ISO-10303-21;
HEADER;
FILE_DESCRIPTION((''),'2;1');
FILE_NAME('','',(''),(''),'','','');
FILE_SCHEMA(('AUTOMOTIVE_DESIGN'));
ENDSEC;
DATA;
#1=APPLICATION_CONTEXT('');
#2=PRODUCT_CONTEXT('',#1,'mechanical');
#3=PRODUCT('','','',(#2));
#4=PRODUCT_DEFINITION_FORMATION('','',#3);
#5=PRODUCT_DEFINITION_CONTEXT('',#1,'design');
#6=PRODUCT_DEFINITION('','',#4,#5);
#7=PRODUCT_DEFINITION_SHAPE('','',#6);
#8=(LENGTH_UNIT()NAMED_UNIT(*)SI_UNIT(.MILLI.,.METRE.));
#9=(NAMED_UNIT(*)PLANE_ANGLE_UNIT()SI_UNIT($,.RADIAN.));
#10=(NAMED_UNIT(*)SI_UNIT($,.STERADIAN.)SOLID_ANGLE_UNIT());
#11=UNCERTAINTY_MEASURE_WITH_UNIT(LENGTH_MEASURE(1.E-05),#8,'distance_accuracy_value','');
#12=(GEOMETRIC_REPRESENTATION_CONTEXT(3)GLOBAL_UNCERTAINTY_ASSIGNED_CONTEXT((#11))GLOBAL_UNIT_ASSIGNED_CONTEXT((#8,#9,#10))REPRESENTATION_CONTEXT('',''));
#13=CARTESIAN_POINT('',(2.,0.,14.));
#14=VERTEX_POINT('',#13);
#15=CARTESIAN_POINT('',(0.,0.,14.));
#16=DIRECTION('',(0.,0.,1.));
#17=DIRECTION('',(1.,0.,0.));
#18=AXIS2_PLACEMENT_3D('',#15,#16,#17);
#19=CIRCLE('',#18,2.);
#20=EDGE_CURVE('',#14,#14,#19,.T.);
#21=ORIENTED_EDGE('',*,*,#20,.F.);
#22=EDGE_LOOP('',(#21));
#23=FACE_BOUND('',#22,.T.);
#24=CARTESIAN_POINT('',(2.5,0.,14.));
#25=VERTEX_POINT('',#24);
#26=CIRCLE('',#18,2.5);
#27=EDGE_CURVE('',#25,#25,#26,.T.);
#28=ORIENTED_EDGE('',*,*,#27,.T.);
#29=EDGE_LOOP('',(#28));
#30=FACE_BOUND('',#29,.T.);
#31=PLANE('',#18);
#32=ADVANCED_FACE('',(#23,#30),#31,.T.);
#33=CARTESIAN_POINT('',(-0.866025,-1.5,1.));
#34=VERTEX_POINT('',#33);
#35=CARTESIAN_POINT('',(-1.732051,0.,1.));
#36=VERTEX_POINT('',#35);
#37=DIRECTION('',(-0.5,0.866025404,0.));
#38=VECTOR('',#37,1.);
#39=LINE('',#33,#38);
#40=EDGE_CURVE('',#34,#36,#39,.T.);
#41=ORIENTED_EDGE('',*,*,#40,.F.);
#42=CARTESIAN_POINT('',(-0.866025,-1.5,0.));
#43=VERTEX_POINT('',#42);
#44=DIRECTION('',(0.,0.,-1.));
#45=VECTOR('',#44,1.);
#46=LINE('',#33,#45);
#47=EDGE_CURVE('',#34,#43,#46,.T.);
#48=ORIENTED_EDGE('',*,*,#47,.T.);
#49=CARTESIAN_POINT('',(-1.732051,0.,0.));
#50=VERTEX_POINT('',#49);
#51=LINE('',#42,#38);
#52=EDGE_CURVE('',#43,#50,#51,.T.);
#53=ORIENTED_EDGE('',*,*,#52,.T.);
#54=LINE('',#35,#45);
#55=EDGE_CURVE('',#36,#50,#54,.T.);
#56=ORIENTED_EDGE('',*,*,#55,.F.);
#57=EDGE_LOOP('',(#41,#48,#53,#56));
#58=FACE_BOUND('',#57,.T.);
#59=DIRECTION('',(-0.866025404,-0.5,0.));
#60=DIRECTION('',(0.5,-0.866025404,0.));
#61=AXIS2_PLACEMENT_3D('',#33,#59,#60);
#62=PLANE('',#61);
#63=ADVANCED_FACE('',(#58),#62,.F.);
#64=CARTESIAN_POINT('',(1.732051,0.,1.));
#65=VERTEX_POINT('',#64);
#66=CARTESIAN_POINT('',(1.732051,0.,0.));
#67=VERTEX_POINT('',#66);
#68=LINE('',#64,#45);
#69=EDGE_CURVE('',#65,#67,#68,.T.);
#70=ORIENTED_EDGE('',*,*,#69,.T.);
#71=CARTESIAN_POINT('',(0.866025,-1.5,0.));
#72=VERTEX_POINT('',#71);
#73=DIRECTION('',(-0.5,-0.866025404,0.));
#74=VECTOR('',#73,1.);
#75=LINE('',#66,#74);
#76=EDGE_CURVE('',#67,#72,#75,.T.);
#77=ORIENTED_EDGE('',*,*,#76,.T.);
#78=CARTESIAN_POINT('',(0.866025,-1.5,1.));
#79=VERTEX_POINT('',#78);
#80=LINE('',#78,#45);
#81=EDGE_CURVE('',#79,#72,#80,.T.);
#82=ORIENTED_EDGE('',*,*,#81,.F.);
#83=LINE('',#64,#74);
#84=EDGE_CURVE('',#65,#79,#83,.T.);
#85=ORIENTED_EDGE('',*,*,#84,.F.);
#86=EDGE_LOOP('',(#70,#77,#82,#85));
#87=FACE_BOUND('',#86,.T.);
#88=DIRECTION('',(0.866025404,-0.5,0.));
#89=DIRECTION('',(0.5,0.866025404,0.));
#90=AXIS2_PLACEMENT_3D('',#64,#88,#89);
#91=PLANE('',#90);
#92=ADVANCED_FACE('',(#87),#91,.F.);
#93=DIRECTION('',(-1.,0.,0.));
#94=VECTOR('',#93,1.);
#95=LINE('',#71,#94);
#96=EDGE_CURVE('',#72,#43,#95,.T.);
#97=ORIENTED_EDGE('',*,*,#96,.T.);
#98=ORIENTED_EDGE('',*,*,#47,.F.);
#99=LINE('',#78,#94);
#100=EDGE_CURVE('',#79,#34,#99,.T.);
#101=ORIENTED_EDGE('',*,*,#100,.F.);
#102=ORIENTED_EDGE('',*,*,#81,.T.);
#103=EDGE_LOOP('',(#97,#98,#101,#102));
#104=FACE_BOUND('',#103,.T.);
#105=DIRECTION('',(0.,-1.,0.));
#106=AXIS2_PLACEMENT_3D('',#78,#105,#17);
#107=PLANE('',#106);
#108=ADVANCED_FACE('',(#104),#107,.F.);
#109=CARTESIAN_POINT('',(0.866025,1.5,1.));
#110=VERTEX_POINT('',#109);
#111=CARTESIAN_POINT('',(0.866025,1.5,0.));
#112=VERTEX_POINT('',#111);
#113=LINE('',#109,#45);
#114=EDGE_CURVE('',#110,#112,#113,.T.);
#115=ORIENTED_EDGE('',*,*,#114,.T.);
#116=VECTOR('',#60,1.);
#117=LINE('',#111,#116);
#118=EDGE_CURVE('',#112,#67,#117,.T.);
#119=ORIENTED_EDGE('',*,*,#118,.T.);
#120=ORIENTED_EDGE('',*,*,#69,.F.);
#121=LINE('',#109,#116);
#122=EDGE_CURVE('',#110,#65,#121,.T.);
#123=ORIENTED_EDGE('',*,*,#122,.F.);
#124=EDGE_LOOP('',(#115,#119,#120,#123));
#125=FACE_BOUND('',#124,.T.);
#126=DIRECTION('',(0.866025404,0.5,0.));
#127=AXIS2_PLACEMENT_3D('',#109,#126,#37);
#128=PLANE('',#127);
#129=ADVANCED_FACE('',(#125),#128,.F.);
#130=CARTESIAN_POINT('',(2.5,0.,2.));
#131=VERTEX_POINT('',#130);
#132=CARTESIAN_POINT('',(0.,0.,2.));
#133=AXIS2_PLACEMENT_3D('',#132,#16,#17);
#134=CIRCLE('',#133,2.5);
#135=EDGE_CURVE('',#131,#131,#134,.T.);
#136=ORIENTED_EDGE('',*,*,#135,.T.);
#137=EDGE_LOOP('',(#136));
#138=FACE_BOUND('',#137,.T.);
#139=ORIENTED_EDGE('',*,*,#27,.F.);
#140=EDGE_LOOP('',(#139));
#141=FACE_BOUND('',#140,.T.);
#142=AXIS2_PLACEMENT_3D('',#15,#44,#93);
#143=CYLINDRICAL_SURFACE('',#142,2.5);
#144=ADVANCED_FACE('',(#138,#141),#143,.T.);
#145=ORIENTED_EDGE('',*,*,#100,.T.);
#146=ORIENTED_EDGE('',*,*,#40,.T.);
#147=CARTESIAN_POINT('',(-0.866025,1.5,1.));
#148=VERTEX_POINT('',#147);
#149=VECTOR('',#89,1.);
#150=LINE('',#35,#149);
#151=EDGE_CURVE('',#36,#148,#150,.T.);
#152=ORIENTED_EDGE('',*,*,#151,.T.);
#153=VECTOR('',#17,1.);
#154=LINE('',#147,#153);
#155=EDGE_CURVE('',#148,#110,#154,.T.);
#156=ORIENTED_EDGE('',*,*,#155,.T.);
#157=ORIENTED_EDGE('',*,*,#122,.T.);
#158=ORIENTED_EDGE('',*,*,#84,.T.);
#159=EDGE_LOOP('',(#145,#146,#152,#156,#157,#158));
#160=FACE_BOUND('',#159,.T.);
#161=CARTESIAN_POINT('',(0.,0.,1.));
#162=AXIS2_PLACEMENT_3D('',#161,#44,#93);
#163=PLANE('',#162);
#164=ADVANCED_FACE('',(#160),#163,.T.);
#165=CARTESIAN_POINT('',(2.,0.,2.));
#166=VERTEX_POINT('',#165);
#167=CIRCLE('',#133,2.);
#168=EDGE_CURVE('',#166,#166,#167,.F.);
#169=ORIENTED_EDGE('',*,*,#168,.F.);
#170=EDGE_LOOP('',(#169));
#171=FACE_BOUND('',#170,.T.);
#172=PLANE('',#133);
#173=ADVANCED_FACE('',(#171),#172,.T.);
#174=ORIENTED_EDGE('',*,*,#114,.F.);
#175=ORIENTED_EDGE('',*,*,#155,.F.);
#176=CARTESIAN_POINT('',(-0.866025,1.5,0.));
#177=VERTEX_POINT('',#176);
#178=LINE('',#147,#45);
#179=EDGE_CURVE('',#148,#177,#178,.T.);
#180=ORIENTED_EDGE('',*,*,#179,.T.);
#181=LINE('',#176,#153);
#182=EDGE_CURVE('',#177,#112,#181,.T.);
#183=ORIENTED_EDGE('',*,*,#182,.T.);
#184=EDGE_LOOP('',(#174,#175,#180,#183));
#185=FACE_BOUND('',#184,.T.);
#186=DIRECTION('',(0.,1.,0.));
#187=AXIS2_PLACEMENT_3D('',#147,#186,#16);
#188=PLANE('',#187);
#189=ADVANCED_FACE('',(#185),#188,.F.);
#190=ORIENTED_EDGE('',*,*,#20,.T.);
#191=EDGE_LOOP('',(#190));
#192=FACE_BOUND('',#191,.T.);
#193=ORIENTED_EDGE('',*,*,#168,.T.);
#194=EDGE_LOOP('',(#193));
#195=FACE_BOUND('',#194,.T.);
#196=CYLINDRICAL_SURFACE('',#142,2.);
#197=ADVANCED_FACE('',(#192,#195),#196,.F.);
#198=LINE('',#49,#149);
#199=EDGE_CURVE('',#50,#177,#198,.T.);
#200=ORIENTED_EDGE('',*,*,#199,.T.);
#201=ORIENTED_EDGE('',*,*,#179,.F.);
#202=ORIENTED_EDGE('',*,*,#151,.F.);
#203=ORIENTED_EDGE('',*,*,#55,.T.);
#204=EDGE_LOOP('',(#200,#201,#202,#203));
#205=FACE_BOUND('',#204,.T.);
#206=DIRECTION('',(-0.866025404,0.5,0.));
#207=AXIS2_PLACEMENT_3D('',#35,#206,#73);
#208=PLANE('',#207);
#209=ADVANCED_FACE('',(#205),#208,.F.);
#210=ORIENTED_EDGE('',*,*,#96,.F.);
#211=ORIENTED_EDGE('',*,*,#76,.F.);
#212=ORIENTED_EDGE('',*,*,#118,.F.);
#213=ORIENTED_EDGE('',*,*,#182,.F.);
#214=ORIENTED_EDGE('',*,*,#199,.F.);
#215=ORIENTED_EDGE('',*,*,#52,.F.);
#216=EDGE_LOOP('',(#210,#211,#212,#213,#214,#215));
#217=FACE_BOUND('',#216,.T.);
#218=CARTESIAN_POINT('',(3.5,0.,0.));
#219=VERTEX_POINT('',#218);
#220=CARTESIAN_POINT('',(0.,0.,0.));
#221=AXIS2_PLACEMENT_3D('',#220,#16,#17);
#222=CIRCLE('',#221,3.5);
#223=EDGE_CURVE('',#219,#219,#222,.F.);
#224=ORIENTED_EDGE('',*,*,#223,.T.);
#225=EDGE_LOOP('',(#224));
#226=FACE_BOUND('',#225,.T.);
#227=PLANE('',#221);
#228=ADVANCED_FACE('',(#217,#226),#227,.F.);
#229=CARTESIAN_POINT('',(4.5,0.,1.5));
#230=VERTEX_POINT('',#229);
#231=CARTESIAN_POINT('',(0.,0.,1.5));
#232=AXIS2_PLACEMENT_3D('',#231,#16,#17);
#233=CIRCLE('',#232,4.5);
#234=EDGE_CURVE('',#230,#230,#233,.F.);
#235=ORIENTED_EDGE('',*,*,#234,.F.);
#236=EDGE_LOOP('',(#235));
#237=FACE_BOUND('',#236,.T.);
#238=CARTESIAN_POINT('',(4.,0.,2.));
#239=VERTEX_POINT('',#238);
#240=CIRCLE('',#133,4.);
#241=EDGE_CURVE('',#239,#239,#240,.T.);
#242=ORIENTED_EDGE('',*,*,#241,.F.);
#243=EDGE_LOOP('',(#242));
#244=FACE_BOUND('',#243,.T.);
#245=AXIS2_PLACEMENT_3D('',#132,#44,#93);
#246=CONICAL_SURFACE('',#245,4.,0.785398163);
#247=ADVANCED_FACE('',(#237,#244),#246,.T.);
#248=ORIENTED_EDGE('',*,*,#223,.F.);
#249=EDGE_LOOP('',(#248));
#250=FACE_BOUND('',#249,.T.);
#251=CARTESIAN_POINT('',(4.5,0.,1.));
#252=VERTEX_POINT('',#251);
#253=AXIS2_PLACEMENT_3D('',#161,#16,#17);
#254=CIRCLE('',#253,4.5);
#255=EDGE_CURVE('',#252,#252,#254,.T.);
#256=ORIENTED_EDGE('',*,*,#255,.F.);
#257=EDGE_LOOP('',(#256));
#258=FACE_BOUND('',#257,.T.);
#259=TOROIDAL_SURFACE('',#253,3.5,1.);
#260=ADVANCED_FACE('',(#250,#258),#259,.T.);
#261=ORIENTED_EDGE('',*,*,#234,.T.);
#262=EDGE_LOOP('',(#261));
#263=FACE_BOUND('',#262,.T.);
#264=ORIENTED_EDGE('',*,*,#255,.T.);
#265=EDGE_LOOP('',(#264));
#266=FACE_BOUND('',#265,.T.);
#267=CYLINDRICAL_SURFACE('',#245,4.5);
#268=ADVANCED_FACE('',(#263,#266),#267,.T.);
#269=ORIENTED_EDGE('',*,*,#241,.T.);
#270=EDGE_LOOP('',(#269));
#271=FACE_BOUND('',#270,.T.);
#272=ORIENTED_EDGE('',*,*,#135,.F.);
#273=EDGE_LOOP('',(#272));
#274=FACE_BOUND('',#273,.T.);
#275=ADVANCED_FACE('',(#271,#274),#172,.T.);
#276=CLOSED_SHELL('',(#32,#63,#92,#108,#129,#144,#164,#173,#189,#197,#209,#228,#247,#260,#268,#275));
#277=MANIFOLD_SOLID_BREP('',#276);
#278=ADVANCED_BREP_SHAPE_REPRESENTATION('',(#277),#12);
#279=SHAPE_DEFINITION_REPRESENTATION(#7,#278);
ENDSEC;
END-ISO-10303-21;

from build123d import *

# Parameters (mm, degrees)
SKETCH_1_R          = 4.5
EXTRUDE_1_DEPTH     = 2
SKETCH_2_R          = 2.5
SKETCH_2_R_2        = 2
EXTRUDE_2_DEPTH     = 12
FILLET_1_R          = 1
CHAMFER_1_SIZE      = 0.5
CUT_EXTRUDE_1_DEPTH = 1


with BuildPart() as part:
    # 草图1 → 凸台-拉伸1 (new body)
    with BuildSketch(Plane.XY):
        Circle(SKETCH_1_R)
    extrude(amount=EXTRUDE_1_DEPTH)

    # 草图2 → 凸台-拉伸2 (add)
    with BuildSketch(Plane.XY.offset(2)):
        Circle(SKETCH_2_R)
        Circle(SKETCH_2_R_2, mode=Mode.SUBTRACT)
    extrude(amount=EXTRUDE_2_DEPTH)

    # 圆角1
    fillet_1_edges = [part.edges().sort_by_distance(p)[0] for p in [
        (-4.5, 0, 0),
    ]]
    fillet(fillet_1_edges, radius=FILLET_1_R)

    # 倒角1
    chamfer_1_edges = [part.edges().sort_by_distance(p)[0] for p in [
        (-4.5, 0, 2),
    ]]
    chamfer(chamfer_1_edges, length=CHAMFER_1_SIZE)

    # 草图3 → 切除-拉伸1 (cut)
    with BuildSketch(Plane(origin=(0, 0, 0), x_dir=(-1, 0, 0), z_dir=(0, 0, -1))):
        Polygon((0.866025404, -1.5), (1.732050808, 0), (0.866025404, 1.5), (-0.866025404, 1.5), (-1.732050808, 0), (-0.866025404, -1.5), align=None)
    extrude(amount=-CUT_EXTRUDE_1_DEPTH, mode=Mode.SUBTRACT)


solid = part.part
